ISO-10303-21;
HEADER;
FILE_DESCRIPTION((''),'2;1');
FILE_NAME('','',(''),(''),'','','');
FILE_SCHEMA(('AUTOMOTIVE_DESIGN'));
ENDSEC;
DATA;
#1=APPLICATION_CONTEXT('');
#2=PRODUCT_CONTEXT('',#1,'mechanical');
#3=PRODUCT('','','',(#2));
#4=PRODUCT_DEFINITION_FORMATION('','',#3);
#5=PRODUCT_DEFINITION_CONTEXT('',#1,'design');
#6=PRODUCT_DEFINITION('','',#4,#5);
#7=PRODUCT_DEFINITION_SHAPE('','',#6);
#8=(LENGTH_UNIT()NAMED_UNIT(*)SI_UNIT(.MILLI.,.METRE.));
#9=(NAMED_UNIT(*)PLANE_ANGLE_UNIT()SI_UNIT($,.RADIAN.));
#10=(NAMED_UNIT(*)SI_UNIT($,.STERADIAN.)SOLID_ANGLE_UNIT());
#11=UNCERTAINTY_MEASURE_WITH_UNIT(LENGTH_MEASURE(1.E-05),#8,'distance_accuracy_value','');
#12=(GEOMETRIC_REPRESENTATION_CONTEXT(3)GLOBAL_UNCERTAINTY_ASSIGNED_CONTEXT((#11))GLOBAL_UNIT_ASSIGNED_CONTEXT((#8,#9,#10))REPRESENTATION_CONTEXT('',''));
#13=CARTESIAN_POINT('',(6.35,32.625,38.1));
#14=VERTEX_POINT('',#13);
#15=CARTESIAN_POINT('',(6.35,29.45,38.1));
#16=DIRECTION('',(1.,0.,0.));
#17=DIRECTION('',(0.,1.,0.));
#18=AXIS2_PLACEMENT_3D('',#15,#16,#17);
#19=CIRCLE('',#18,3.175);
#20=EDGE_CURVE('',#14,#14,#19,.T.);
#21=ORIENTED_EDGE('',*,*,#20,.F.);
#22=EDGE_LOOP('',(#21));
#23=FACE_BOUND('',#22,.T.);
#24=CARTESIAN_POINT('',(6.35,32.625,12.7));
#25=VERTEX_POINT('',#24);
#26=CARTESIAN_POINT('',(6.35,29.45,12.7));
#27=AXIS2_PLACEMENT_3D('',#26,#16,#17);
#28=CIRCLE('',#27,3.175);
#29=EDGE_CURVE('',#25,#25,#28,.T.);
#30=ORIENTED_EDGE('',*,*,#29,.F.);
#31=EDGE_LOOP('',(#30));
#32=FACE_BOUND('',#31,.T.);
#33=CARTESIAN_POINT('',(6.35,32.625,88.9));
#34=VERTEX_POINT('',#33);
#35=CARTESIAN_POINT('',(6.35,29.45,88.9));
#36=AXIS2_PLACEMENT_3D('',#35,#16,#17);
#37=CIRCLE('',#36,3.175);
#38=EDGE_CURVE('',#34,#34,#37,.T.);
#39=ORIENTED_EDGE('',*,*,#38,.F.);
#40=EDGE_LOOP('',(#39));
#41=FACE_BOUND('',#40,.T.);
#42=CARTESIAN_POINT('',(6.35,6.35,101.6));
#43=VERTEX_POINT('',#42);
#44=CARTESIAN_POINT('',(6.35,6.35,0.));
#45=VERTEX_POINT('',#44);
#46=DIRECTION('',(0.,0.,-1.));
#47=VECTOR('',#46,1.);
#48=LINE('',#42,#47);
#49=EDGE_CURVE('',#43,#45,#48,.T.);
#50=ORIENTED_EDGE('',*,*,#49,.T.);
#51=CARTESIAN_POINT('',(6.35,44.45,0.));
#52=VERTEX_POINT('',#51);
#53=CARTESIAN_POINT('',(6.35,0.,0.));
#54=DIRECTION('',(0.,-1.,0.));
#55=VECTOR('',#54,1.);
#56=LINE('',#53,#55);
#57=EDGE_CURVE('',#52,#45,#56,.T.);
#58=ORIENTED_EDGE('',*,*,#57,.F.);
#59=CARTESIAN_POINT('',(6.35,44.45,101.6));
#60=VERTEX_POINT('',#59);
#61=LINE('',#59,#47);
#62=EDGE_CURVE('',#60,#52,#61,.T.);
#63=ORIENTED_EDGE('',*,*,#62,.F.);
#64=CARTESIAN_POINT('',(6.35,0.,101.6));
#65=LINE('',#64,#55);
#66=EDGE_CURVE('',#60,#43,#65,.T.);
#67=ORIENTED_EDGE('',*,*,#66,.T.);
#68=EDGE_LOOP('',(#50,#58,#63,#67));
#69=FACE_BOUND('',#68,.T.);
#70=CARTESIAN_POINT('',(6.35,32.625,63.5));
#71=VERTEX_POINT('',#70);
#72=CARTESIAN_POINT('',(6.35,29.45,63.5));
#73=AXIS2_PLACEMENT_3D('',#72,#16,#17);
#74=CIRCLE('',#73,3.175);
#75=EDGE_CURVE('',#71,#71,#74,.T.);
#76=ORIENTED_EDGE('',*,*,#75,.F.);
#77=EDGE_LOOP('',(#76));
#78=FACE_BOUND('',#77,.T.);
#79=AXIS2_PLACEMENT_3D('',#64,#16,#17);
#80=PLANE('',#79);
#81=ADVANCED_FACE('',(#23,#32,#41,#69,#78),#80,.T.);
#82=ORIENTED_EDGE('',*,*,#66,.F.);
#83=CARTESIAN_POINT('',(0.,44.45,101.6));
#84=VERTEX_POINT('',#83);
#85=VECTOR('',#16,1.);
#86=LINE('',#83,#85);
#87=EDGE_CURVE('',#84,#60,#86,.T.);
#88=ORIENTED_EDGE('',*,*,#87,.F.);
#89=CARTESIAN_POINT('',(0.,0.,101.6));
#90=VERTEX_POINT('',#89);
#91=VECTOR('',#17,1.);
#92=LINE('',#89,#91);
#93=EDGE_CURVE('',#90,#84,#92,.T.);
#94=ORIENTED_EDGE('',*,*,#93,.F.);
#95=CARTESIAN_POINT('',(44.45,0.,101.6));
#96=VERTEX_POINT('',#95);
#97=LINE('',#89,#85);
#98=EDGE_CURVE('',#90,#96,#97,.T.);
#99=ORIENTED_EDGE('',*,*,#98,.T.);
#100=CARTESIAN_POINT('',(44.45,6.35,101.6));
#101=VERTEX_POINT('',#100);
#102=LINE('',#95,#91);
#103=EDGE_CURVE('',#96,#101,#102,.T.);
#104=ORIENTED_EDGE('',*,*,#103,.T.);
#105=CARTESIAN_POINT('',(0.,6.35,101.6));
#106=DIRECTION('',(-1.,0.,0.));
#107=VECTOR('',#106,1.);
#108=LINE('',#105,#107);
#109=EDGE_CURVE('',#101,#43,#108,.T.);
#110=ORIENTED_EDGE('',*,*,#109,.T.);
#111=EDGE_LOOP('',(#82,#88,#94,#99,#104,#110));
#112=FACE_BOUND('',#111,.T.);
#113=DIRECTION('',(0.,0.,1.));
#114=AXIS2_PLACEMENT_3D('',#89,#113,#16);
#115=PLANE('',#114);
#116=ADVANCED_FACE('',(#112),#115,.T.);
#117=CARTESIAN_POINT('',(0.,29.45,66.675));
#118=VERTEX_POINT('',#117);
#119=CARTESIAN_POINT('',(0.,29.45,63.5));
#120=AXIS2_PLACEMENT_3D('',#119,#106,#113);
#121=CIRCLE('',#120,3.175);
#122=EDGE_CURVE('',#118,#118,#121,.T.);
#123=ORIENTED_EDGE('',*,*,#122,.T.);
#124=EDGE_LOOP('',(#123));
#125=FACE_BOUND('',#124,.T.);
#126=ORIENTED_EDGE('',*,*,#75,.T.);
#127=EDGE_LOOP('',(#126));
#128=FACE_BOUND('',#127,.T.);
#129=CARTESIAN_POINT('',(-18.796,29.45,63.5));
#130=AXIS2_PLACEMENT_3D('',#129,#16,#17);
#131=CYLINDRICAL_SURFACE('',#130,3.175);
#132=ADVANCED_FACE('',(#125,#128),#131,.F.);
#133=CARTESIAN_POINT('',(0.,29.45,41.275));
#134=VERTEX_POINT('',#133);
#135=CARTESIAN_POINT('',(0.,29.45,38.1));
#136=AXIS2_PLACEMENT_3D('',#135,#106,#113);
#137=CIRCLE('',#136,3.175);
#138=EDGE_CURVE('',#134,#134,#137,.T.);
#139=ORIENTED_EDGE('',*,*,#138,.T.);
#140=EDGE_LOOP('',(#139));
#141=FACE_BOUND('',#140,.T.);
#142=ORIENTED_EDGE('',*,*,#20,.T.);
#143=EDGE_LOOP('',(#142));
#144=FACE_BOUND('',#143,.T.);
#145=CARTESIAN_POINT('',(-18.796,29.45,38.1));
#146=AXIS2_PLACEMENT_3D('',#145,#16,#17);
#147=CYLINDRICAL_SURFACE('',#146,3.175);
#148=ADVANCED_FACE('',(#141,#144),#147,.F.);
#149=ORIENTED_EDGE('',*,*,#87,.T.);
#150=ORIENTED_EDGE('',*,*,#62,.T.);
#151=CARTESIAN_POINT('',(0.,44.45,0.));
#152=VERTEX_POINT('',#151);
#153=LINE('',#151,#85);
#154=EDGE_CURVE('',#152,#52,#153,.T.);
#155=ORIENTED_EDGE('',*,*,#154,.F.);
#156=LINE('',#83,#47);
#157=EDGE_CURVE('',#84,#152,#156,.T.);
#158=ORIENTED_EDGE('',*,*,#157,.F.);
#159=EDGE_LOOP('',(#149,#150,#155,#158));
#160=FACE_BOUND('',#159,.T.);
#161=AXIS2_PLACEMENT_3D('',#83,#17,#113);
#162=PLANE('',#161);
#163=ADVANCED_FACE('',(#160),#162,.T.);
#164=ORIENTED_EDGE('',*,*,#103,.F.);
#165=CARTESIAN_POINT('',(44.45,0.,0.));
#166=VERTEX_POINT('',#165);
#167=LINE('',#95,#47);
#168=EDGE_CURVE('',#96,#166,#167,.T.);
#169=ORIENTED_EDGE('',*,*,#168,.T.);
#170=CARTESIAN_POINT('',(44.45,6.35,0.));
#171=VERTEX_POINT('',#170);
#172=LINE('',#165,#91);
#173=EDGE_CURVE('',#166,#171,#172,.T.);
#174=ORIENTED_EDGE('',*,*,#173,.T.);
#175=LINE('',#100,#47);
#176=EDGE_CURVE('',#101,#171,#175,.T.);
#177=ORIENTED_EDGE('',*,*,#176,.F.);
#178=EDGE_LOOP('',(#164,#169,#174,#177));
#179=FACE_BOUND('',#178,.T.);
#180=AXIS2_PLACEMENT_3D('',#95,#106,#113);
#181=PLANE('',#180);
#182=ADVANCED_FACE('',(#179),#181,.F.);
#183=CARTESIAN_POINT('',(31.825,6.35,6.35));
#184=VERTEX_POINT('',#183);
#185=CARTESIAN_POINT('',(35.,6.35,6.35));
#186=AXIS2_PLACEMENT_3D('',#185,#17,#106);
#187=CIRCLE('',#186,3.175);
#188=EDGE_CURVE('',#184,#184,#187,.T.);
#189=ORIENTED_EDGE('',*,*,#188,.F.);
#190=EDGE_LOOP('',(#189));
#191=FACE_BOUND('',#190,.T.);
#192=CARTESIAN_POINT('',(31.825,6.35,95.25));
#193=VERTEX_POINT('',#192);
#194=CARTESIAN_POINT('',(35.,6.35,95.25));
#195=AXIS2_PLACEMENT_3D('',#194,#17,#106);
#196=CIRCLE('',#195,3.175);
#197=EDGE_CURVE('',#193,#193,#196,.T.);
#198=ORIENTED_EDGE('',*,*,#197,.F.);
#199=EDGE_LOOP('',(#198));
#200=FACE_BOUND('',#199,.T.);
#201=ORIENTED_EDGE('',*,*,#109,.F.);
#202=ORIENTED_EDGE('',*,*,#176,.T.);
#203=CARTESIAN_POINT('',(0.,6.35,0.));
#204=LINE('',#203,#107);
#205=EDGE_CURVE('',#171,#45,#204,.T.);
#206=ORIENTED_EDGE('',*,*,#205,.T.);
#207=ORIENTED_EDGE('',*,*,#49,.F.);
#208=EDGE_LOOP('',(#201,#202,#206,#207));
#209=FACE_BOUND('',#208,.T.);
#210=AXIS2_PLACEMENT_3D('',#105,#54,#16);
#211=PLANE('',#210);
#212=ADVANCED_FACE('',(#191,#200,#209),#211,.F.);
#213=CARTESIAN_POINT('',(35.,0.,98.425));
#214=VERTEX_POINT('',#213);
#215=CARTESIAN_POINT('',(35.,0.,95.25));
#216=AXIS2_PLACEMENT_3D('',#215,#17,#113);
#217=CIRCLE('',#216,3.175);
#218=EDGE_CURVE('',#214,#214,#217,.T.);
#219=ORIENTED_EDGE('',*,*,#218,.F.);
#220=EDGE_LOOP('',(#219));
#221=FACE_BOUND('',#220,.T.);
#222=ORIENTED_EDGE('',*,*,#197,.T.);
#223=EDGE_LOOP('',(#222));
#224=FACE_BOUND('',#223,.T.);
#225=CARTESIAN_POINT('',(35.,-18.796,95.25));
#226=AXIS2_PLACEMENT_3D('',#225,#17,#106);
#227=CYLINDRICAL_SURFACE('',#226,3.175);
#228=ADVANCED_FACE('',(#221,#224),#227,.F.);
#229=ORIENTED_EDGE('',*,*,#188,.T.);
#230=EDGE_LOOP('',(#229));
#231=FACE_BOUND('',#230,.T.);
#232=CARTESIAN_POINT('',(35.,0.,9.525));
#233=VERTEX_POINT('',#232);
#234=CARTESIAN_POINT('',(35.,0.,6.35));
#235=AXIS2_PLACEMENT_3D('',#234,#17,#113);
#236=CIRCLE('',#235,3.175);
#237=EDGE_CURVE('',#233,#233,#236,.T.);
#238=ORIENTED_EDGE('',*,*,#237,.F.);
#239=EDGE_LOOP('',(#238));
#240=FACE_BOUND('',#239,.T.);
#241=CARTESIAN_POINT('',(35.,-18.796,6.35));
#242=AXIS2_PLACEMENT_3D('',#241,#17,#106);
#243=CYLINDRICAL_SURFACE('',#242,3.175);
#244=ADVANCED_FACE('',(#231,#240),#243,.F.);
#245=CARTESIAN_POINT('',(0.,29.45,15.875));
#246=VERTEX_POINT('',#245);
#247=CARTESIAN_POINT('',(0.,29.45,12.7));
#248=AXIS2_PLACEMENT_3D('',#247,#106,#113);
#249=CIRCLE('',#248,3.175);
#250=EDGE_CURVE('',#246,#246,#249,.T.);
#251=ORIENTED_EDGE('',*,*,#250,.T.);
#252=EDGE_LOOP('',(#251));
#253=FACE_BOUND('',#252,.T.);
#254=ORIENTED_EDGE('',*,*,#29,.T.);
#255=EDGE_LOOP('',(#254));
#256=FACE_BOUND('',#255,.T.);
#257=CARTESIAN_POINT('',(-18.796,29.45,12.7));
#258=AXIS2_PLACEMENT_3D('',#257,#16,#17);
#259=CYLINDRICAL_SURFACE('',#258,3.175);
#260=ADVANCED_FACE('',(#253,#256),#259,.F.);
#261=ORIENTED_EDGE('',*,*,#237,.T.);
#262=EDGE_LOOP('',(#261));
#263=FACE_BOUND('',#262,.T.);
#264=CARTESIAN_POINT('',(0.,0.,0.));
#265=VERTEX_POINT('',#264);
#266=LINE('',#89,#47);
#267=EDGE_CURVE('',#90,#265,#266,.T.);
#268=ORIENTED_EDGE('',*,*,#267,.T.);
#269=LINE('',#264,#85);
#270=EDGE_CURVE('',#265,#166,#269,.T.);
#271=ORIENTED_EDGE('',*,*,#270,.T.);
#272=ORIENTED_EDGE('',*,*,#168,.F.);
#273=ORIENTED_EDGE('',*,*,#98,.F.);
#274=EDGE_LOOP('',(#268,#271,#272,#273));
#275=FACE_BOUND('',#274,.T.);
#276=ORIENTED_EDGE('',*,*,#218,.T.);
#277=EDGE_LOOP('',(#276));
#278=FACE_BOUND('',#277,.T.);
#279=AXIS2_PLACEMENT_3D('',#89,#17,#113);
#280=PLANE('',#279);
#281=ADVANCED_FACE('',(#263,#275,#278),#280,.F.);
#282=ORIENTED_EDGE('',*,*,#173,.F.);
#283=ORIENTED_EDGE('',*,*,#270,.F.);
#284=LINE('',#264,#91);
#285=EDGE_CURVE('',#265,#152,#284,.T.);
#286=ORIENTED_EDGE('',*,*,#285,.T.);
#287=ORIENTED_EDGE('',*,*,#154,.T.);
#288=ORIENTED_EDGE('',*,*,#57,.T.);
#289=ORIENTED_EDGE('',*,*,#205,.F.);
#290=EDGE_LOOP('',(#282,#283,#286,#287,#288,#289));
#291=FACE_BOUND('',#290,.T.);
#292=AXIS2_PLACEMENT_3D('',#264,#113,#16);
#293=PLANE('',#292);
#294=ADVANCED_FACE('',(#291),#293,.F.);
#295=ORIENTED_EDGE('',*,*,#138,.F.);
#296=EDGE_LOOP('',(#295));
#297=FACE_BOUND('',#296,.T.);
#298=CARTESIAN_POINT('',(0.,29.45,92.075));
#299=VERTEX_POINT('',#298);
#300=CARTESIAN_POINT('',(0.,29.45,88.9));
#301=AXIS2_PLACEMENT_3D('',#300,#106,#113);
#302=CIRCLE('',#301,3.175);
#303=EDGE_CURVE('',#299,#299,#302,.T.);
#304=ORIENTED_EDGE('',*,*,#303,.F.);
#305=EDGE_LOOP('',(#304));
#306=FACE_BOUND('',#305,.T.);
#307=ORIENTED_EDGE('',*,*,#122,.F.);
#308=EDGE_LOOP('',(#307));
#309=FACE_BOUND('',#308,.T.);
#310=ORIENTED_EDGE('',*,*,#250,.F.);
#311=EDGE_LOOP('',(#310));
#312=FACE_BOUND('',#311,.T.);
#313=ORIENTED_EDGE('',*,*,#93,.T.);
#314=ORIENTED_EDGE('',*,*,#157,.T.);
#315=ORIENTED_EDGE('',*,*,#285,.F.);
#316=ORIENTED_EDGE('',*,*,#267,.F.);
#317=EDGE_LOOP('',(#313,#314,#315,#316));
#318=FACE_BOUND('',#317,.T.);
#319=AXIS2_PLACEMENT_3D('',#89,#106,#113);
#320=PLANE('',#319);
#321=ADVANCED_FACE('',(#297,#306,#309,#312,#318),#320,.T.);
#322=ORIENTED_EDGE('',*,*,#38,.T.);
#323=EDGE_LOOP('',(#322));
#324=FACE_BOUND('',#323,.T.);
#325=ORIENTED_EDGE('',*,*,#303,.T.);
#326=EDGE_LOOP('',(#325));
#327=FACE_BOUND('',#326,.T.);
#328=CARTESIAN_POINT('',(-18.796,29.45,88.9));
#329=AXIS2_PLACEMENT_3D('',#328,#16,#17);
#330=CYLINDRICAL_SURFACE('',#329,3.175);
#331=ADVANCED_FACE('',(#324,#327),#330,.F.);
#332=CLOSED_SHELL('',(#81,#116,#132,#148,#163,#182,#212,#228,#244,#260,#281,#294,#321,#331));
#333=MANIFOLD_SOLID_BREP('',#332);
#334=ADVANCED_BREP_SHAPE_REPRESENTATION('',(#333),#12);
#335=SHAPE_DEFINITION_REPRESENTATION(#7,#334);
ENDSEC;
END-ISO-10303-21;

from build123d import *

# Parameters (mm, degrees)
BOSS_EXTRUDE1_DEPTH = 101.6
SKETCH2_R           = 3.175
CUT_EXTRUDE1_DEPTH  = 25.146
SKETCH3_R           = 3.175
CUT_EXTRUDE2_DEPTH  = 25.146


with BuildPart() as part:
    # Sketch1 → Boss-Extrude1 (new body)
    with BuildSketch(Plane.XY):
        Polygon((0, 44.45), (0, 0), (44.45, 0), (44.45, 6.35), (6.35, 6.35), (6.35, 44.45), align=None)
    extrude(amount=BOSS_EXTRUDE1_DEPTH)

    # Sketch2 → Cut-Extrude1 (cut)
    with BuildSketch(Plane(origin=(0, 6.35, 0), x_dir=(1, 0, 0), z_dir=(0, 1, 0))):
        with Locations(Location((35, -95.25, 0), (0, 0, 180))):
            Circle(SKETCH2_R)
        with Locations(Location((35, -6.35, 0), (0, 0, 180))):
            Circle(SKETCH2_R)
    extrude(amount=-CUT_EXTRUDE1_DEPTH, mode=Mode.SUBTRACT)

    # Sketch3 → Cut-Extrude2 (cut)
    with BuildSketch(Plane(origin=(6.35, 0, 0), x_dir=(0, 0, -1), z_dir=(1, 0, 0))):
        with Locations(Location((-12.7, 29.45, 0), (0, 0, 90))):
            Circle(SKETCH3_R)
        with Locations(Location((-63.5, 29.45, 0), (0, 0, 90))):
            Circle(SKETCH3_R)
        with Locations(Location((-88.9, 29.45, 0), (0, 0, 90))):
            Circle(SKETCH3_R)
        with Locations(Location((-38.1, 29.45, 0), (0, 0, 90))):
            Circle(SKETCH3_R)
    extrude(amount=-CUT_EXTRUDE2_DEPTH, mode=Mode.SUBTRACT)


solid = part.part
